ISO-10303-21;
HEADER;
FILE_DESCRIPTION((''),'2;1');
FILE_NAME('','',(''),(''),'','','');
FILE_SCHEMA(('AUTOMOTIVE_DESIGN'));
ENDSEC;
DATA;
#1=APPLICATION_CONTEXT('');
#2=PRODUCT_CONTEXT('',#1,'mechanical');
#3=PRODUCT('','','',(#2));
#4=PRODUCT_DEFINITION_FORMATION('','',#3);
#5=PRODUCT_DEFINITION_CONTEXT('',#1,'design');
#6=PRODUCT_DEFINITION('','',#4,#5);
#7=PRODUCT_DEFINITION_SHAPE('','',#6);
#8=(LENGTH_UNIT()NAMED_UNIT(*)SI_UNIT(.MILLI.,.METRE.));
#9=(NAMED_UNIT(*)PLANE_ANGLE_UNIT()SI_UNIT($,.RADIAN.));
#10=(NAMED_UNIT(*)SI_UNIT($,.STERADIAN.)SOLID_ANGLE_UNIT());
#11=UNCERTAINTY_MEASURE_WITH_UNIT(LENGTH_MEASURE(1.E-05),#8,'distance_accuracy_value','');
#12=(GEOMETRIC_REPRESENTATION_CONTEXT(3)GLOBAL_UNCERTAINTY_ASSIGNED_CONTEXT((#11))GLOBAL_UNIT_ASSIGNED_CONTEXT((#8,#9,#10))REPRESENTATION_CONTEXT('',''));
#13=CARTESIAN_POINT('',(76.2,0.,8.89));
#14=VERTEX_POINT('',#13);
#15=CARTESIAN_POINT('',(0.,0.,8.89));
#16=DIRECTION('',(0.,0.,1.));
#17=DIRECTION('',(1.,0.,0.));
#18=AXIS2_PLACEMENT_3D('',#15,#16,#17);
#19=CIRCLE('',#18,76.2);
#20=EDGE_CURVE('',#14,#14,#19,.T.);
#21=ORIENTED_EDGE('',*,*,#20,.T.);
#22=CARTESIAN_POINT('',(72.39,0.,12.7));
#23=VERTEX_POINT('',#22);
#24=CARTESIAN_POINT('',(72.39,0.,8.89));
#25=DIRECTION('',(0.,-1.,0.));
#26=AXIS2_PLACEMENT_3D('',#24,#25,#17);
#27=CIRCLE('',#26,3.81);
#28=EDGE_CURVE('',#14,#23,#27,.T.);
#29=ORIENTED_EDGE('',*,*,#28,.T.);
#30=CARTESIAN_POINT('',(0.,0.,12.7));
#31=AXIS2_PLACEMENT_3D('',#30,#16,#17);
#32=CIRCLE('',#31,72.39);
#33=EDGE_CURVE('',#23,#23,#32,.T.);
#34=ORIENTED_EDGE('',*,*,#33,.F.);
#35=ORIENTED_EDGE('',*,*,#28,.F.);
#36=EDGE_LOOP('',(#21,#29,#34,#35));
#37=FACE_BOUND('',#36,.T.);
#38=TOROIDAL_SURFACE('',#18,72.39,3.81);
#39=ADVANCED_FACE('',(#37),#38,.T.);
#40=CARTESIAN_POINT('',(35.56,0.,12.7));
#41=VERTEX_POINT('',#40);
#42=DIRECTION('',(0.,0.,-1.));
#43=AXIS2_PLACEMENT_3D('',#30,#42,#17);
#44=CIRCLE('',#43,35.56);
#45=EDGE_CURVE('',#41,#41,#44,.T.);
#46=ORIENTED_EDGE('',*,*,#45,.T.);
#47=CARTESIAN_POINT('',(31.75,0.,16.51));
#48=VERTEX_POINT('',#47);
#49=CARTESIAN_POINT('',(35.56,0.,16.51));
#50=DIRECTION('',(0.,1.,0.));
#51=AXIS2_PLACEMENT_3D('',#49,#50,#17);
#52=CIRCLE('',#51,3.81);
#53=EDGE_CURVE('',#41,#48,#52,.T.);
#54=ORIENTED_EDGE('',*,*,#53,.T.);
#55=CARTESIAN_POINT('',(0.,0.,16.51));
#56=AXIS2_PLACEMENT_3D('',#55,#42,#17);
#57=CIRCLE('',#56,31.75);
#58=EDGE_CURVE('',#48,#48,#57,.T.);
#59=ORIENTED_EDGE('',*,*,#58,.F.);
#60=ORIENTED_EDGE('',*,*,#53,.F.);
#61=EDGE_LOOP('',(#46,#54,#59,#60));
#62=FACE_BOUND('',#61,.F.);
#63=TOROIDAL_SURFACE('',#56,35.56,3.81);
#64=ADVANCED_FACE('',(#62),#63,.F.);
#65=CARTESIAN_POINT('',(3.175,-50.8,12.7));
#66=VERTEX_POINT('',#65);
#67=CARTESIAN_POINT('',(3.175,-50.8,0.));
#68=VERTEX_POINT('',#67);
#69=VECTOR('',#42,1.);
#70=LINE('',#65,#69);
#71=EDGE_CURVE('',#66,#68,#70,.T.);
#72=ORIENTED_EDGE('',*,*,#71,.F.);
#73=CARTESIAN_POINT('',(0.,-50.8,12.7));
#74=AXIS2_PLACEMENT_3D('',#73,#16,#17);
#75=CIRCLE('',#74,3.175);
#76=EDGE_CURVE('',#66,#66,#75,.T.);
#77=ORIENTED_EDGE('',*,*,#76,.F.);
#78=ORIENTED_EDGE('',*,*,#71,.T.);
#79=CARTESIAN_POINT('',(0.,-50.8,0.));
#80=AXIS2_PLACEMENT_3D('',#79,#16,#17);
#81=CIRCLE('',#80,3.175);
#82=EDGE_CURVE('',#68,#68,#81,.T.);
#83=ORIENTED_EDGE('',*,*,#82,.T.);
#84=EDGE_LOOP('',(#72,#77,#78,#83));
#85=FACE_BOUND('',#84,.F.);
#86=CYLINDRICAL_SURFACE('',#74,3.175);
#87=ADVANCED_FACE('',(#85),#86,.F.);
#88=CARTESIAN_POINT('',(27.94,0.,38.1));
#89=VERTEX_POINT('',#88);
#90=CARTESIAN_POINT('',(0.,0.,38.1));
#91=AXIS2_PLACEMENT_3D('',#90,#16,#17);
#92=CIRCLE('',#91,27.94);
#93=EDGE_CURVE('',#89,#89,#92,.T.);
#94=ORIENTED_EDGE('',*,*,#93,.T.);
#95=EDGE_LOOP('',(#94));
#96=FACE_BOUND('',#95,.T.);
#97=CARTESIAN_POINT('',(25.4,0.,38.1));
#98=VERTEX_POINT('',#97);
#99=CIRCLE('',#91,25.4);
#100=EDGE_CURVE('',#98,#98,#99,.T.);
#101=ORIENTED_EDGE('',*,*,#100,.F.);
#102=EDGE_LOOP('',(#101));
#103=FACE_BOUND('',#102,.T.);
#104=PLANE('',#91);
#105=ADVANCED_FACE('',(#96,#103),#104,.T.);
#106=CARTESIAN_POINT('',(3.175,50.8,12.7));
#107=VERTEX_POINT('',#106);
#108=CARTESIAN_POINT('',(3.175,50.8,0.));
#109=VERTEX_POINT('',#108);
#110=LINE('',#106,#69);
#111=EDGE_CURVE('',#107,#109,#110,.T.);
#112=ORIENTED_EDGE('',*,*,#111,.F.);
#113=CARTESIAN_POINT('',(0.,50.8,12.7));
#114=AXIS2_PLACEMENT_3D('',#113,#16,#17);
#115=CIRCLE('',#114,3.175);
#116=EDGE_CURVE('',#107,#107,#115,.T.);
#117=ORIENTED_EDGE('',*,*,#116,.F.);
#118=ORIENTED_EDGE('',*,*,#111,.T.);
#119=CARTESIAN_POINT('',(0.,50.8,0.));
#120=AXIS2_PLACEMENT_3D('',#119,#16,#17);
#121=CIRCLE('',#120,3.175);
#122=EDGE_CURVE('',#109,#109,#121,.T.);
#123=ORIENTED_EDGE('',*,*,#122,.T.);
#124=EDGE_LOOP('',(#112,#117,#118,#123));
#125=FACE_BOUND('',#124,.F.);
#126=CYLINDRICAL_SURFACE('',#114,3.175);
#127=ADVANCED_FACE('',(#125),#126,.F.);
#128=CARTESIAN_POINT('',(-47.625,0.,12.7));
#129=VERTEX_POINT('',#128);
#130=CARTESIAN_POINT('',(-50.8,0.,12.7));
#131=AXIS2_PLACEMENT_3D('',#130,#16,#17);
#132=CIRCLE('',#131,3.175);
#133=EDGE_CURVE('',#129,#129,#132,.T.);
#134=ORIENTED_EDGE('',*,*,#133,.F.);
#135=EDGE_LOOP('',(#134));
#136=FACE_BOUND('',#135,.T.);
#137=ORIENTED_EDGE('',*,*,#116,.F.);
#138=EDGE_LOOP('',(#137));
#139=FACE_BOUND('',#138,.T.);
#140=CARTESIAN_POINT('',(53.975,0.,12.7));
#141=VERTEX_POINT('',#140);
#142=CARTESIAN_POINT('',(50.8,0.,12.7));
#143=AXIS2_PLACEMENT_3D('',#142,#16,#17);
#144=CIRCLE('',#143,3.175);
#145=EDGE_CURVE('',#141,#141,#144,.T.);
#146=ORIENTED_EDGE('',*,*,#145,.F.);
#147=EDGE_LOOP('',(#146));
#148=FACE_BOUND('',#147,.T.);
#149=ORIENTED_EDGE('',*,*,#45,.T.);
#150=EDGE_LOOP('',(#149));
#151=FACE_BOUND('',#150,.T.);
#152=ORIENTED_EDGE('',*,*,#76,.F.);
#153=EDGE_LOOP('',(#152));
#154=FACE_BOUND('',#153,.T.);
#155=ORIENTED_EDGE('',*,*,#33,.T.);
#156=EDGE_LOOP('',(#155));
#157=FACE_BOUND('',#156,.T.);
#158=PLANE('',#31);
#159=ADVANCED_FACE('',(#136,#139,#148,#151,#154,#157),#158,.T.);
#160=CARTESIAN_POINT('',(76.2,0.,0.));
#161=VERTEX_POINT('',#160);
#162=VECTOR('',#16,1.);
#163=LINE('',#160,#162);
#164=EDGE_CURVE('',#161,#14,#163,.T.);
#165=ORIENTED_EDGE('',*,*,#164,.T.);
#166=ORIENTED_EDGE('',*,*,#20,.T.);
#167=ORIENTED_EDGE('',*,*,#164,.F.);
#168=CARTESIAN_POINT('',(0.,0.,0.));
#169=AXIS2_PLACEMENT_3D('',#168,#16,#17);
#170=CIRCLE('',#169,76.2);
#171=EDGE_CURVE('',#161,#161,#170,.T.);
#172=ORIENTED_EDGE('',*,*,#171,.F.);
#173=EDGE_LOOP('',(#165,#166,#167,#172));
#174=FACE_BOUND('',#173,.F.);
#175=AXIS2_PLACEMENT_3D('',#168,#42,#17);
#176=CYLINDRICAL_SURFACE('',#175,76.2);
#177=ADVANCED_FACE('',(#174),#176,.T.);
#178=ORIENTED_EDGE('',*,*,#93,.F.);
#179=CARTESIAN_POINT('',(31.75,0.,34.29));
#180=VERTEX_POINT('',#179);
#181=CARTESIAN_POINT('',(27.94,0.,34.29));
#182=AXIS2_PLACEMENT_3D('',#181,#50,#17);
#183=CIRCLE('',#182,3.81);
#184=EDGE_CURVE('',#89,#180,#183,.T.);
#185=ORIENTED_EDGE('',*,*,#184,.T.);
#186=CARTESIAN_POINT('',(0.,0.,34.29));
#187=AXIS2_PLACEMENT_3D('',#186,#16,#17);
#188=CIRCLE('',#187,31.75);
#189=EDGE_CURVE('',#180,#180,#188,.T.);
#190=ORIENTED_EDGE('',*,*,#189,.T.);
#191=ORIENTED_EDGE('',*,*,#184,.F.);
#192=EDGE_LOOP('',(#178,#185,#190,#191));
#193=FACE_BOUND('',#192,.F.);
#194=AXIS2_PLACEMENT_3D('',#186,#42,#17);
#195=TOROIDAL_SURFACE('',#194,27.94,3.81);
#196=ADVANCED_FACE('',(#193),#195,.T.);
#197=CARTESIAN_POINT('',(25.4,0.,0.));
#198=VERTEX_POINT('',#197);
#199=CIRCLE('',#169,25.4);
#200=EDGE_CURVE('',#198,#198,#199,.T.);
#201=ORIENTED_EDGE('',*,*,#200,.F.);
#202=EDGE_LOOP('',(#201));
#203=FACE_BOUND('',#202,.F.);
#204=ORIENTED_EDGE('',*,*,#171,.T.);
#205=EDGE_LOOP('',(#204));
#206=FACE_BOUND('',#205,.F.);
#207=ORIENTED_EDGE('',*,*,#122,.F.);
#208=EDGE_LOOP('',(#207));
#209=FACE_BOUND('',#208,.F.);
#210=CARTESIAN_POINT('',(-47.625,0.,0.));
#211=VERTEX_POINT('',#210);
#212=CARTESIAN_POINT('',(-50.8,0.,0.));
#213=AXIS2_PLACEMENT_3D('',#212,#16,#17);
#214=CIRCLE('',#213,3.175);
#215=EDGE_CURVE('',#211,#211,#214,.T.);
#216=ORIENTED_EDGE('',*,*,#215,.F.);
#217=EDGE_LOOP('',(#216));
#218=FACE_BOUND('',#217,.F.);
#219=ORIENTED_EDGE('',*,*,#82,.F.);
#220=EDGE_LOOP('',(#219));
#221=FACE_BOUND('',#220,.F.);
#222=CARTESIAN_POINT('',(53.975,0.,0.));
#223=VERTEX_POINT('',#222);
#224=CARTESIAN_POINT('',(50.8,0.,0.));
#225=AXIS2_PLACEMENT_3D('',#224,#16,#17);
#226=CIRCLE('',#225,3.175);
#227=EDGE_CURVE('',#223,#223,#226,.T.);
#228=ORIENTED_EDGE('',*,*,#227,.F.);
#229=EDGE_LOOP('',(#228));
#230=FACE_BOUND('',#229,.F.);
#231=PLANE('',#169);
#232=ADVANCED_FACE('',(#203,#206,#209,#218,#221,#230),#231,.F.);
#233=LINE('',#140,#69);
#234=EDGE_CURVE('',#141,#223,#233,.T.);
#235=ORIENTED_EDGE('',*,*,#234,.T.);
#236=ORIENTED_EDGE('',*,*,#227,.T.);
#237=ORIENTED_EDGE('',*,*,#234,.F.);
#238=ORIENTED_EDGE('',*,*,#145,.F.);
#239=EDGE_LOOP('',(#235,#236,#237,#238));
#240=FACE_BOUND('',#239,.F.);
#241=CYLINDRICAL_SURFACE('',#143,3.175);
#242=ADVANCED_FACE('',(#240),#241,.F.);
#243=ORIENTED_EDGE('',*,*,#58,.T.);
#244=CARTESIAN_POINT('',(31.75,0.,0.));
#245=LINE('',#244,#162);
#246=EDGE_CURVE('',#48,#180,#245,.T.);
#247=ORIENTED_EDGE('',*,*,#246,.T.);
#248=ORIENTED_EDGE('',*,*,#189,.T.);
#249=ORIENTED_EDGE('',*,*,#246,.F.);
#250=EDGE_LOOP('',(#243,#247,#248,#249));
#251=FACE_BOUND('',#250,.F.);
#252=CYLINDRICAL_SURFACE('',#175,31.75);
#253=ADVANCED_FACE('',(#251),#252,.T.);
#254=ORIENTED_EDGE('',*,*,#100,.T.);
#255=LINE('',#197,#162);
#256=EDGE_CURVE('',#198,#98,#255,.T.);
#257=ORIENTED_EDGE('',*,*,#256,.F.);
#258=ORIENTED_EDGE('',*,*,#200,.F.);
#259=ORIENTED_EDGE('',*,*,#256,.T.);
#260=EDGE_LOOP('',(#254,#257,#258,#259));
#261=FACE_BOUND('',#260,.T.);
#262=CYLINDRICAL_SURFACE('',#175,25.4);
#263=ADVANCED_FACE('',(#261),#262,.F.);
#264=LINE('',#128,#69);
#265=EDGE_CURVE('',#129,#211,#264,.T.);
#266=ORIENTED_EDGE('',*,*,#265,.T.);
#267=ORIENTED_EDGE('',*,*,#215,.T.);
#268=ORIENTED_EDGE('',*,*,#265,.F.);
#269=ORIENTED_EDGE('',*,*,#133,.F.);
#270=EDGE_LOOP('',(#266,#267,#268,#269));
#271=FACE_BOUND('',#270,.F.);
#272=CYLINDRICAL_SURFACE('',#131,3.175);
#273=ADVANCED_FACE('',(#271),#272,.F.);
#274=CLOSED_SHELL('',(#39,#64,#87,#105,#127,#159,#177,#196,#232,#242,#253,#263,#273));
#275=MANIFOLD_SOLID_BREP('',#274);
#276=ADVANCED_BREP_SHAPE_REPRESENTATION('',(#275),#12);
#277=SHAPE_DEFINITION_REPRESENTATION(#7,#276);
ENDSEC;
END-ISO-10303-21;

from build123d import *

# Parameters (mm, degrees)
F0_R     = 76.2
F0_R_2   = 25.4
F1_DEPTH = 12.7
F2_R     = 31.75
F2_R_2   = 25.4
F3_DEPTH = 38.1
F4_R     = 3.175
F5_DEPTH = 12.701
F6_R     = 3.81


with BuildPart() as f1:
    # F0 (on Top) → F1 (new body)
    with BuildSketch(Plane.XY):
        Circle(F0_R)
        Circle(F0_R_2, mode=Mode.SUBTRACT)
    extrude(amount=F1_DEPTH)

    # F2 (on Top) → F3 (join)
    with BuildSketch(Plane.XY):
        Circle(F2_R)
        Circle(F2_R_2, mode=Mode.SUBTRACT)
    extrude(amount=F3_DEPTH)

    # F4 (on face) → F5 (cut, through all)
    with BuildSketch(Plane.XY.offset(12.7)):
        with Locations((-50.8, 0)):
            Circle(F4_R)
        with Locations((0, -50.8)):
            Circle(F4_R)
        with Locations((50.8, 0)):
            Circle(F4_R)
        with Locations((0, 50.8)):
            Circle(F4_R)
    extrude(amount=-F5_DEPTH, mode=Mode.SUBTRACT)

    # F6
    f6_edges = [f1.edges().sort_by_distance(p)[0] for p in [
        (-76.2, 0, 12.7),
        (-31.75, 0, 38.1),
        (-31.75, 0, 12.7),
    ]]
    fillet(f6_edges, radius=F6_R)


solid = f1.part
